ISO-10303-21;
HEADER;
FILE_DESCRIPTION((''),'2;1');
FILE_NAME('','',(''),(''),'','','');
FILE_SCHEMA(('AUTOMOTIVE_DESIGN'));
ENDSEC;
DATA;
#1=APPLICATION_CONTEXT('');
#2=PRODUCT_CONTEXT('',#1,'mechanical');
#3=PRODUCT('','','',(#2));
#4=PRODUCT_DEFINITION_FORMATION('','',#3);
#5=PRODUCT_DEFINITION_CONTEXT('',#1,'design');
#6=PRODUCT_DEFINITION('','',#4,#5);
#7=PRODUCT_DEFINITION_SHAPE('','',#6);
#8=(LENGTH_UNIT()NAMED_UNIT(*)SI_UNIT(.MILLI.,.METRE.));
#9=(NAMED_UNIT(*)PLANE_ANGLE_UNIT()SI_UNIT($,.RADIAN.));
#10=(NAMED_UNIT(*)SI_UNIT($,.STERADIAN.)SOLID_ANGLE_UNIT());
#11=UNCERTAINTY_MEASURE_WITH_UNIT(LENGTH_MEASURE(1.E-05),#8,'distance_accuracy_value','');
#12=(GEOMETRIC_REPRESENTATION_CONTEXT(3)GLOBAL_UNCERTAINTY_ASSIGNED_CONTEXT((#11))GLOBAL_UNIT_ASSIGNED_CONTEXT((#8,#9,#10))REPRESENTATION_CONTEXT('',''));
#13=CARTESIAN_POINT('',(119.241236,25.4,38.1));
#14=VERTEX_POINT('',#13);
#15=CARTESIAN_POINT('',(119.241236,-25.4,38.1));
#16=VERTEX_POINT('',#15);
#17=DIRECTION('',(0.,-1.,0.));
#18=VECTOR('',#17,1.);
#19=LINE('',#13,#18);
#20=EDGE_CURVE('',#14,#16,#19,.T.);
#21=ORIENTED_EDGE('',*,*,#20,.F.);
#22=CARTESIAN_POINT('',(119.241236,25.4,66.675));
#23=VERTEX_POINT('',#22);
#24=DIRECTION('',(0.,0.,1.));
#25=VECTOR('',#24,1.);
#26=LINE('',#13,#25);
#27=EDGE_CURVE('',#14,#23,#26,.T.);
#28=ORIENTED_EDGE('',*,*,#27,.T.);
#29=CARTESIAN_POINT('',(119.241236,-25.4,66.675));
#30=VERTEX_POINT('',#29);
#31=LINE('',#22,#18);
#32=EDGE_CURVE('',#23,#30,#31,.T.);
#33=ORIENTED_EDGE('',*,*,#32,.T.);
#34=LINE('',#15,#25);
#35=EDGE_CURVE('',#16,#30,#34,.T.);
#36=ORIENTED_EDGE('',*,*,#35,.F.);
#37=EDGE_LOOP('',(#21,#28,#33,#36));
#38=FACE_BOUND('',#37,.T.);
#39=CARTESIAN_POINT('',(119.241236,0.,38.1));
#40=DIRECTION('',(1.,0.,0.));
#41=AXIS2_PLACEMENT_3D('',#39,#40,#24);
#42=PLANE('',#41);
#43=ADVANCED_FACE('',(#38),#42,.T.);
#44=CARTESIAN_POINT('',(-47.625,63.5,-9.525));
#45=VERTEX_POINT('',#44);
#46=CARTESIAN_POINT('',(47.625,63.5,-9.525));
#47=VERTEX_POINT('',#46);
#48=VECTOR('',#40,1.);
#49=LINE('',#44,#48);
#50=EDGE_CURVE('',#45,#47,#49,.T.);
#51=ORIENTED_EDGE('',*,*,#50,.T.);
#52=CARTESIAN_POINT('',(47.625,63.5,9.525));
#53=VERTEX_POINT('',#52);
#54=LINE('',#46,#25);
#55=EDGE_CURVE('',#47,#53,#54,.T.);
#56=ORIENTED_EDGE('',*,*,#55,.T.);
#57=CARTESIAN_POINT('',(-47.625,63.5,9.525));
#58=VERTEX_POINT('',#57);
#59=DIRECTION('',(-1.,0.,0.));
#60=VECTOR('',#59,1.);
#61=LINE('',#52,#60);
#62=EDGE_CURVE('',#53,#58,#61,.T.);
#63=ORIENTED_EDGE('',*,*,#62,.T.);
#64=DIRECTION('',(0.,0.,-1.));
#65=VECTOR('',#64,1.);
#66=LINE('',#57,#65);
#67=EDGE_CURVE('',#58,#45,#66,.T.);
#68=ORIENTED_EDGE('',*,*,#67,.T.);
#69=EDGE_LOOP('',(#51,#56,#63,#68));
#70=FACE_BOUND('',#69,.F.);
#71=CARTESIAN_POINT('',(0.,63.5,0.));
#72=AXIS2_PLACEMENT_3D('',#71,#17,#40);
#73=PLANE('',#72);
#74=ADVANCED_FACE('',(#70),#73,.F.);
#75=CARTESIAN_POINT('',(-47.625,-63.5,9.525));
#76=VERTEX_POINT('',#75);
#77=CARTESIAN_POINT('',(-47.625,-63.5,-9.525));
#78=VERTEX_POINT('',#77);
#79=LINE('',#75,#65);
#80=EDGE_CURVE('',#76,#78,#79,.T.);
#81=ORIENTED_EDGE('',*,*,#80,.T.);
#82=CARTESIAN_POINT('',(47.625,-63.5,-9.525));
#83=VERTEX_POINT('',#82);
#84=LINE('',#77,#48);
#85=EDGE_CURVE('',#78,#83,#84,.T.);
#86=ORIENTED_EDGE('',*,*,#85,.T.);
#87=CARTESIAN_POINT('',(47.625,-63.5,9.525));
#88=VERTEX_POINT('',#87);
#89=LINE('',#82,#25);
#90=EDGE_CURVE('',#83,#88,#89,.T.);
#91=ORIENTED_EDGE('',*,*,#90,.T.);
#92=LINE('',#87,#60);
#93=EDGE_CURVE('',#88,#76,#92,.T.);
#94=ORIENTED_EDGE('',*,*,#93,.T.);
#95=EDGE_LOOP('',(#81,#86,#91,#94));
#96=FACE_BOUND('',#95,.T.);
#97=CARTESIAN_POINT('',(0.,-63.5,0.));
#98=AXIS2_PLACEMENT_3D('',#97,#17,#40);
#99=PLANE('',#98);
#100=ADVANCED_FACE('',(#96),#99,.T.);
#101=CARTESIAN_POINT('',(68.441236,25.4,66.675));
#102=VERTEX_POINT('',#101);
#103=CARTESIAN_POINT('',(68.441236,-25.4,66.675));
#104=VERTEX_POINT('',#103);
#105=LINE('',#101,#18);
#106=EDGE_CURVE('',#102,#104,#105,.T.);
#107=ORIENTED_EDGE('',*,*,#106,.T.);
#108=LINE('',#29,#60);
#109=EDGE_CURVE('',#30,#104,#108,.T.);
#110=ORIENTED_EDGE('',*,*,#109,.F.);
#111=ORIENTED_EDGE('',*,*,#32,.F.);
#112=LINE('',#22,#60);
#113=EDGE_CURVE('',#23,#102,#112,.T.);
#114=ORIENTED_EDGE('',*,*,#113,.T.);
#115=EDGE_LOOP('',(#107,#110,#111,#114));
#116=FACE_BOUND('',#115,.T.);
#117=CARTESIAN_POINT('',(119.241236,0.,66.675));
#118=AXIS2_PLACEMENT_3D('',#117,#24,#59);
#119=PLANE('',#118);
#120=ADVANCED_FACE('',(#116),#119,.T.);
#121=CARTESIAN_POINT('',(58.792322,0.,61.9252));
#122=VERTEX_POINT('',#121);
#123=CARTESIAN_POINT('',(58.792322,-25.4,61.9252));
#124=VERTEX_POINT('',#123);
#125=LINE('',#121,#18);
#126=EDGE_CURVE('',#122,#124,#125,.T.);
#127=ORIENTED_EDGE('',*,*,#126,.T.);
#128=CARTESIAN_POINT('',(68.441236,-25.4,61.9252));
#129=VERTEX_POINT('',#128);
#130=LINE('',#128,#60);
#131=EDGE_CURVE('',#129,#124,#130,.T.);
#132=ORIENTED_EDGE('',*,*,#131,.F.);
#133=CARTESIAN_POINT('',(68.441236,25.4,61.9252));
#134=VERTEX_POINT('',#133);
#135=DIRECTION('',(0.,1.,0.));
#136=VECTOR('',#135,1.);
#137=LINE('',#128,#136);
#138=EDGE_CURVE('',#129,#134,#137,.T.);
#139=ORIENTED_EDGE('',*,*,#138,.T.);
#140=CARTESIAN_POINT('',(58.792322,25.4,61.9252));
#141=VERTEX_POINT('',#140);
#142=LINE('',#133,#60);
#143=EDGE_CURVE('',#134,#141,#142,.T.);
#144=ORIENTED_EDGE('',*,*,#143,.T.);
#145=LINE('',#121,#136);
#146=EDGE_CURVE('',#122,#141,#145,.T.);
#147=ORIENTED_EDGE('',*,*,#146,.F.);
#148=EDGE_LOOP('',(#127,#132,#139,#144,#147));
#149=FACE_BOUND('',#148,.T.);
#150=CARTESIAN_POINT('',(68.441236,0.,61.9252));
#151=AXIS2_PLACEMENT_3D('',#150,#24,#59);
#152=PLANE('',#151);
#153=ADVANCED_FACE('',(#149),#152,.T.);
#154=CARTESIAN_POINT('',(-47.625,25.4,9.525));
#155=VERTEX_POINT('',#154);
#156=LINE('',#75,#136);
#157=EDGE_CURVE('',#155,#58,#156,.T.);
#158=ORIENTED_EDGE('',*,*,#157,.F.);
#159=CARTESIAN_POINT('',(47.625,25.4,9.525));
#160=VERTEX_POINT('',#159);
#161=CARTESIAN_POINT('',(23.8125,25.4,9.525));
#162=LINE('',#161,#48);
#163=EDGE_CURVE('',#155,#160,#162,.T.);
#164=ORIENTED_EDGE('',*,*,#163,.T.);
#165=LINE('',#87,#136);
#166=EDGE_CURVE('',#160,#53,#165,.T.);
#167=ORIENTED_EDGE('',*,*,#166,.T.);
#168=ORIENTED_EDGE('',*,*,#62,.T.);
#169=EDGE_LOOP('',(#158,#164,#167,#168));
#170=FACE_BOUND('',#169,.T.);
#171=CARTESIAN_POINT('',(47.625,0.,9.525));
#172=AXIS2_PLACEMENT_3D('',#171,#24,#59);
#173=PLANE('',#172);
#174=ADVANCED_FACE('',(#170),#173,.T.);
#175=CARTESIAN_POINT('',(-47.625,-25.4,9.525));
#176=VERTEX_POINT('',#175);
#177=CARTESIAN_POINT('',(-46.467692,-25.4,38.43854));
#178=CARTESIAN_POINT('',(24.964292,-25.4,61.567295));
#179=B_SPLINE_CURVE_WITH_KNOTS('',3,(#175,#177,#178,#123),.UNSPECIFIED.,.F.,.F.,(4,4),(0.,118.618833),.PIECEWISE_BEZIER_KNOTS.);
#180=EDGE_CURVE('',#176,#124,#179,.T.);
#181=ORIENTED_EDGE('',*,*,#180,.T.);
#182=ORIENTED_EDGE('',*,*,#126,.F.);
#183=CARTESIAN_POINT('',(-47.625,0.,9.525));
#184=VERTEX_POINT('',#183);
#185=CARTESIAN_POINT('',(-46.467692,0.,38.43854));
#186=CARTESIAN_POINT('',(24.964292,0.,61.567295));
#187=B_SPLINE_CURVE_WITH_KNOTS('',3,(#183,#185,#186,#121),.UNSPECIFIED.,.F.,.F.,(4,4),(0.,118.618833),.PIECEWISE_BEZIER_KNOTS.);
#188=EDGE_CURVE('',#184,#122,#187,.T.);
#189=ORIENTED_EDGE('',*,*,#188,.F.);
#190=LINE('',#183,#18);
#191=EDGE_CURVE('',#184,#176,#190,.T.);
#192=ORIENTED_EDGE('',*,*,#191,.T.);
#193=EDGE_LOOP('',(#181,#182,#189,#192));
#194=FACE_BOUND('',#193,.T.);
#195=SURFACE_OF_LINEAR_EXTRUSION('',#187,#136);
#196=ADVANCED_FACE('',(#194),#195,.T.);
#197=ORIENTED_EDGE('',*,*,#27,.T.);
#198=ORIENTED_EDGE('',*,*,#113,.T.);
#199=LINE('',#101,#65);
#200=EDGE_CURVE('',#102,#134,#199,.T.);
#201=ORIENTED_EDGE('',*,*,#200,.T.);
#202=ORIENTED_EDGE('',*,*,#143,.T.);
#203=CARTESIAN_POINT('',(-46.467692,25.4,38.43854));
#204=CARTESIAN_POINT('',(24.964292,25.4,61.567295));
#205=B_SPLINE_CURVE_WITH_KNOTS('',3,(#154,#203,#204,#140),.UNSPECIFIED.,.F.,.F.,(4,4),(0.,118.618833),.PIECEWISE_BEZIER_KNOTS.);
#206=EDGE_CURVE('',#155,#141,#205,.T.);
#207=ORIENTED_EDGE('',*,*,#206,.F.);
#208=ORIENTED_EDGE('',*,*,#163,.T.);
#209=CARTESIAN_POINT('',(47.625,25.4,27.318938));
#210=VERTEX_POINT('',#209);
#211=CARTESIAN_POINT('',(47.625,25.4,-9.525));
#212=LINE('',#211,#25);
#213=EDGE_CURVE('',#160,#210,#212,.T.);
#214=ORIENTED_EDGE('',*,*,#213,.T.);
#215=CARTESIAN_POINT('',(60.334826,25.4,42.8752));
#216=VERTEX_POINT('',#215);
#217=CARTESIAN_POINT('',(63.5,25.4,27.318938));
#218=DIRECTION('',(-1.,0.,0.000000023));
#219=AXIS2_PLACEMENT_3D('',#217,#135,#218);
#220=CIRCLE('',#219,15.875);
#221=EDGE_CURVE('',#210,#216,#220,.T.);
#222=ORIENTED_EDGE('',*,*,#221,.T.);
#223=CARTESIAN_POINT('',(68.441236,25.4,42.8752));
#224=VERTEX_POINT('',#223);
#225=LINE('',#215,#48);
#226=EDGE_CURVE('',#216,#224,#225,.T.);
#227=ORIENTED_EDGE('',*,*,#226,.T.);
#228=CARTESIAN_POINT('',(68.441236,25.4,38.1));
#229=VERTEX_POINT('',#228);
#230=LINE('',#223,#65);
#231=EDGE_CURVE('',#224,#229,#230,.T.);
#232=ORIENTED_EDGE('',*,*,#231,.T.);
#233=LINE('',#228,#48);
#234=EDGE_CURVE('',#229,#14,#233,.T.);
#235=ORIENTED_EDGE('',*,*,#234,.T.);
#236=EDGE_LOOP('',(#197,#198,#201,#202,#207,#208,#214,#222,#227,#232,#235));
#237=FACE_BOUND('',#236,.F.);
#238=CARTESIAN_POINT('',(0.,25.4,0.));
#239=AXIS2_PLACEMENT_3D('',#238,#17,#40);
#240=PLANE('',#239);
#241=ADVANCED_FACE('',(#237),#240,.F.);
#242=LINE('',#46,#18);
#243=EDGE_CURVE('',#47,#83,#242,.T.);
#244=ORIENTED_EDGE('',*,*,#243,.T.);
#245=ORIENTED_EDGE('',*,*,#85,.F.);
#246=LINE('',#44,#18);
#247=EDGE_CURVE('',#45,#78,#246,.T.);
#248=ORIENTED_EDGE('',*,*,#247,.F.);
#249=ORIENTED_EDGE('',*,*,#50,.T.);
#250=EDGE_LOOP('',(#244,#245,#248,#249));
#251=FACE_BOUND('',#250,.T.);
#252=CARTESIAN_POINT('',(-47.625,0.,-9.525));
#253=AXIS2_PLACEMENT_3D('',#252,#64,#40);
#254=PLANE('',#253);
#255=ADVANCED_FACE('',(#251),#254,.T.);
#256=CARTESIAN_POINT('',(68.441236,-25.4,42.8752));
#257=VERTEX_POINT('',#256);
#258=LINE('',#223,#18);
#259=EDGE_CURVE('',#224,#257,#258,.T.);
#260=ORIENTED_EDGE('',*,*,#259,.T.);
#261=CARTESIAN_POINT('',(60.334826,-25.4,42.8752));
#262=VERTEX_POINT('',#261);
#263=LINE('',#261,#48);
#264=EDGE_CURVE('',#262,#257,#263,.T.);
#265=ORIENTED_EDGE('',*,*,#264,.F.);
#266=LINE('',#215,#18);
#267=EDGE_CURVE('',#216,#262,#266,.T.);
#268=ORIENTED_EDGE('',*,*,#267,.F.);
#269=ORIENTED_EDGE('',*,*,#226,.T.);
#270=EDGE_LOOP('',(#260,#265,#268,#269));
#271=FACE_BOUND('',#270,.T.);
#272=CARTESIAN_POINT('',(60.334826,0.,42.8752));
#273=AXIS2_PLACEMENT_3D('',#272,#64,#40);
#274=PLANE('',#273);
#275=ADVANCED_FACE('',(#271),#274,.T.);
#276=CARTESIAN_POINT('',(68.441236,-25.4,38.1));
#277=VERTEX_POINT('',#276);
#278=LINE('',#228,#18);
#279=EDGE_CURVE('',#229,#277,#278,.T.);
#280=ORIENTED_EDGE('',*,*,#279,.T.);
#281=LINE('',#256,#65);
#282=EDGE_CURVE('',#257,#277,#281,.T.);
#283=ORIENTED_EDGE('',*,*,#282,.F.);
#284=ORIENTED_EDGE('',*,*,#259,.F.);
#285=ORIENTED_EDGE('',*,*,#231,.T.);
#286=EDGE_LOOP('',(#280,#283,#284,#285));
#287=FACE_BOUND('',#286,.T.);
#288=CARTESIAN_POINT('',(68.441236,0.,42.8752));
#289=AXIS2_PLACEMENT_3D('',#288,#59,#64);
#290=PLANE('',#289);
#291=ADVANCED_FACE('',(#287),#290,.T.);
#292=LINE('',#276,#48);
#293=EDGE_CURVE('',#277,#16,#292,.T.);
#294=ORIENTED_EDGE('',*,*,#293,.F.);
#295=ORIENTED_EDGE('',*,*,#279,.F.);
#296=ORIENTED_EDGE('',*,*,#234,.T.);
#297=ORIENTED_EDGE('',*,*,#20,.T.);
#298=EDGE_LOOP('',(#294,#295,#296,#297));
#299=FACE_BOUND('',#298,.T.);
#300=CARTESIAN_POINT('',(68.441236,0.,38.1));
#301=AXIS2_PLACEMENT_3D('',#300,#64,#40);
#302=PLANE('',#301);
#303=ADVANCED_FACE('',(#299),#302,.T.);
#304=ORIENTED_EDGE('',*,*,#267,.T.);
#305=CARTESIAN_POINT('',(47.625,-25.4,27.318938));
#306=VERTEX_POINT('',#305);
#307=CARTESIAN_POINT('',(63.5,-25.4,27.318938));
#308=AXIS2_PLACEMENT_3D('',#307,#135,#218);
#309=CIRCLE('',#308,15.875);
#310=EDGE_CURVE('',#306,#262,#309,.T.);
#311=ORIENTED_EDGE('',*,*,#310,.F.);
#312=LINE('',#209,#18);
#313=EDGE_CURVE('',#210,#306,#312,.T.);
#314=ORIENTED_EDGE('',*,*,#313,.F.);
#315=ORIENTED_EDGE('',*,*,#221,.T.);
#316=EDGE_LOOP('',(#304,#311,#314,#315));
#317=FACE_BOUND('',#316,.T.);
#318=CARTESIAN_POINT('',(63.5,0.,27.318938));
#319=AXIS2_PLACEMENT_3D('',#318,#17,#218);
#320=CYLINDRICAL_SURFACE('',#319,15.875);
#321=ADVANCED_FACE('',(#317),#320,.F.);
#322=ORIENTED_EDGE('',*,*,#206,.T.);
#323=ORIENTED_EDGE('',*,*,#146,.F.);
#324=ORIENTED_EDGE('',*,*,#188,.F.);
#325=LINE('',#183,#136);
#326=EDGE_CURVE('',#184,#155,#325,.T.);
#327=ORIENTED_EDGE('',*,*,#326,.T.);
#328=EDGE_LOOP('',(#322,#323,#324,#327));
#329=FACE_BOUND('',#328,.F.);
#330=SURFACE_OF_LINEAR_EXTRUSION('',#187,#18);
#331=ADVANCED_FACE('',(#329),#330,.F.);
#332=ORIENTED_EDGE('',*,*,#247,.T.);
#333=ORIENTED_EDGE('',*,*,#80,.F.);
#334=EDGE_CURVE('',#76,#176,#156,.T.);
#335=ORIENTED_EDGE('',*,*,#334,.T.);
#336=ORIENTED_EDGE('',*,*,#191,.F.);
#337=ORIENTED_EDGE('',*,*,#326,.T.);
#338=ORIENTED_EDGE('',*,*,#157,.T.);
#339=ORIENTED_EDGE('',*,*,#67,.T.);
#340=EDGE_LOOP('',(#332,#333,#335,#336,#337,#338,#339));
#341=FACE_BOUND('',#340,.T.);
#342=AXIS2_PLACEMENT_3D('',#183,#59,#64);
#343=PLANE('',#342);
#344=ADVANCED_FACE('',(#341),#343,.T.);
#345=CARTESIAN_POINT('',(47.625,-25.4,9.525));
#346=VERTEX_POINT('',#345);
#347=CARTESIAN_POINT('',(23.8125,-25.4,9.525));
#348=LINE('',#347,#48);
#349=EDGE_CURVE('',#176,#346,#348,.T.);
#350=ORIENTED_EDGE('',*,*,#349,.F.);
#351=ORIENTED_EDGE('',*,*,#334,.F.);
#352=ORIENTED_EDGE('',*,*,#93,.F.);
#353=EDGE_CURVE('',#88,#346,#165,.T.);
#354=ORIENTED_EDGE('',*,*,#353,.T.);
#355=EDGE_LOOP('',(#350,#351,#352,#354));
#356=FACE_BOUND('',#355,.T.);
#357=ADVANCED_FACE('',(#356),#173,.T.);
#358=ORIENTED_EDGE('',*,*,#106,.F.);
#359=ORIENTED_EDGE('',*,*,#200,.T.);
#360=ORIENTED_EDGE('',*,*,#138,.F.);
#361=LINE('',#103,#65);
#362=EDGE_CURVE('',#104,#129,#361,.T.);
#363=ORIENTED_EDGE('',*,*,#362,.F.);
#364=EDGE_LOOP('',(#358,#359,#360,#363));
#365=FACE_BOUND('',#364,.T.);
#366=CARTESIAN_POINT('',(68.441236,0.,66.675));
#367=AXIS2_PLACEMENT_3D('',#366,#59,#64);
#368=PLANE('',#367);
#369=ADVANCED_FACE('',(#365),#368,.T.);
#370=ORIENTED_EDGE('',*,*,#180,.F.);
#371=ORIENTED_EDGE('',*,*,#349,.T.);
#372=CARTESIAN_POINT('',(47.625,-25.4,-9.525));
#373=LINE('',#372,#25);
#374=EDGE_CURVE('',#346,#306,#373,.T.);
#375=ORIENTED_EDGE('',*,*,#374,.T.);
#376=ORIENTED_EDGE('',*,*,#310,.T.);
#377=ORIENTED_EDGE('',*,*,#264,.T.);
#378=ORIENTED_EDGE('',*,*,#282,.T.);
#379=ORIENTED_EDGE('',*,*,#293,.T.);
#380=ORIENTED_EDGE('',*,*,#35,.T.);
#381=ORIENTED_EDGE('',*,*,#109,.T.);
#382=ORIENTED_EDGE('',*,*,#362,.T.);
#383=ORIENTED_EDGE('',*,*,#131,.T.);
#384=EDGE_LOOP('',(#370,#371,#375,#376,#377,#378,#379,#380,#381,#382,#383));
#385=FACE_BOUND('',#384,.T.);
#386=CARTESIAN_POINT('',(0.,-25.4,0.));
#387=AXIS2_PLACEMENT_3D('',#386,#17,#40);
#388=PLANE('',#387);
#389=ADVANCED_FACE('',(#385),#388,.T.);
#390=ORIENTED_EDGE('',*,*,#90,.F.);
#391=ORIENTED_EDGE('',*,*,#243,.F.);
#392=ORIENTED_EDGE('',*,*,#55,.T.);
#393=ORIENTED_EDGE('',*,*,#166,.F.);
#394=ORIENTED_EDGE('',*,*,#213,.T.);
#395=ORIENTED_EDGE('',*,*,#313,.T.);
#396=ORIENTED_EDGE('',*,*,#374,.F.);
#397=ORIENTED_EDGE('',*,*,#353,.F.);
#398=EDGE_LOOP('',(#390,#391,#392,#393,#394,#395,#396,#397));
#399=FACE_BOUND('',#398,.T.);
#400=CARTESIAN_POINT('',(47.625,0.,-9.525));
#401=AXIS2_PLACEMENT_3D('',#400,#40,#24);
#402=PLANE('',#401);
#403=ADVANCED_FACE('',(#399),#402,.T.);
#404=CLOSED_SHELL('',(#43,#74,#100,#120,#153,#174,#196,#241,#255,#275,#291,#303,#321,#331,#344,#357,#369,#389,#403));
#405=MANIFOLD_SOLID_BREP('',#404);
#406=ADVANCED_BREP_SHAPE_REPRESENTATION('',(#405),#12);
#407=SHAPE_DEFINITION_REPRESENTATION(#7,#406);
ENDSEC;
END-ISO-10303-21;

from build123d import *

# Parameters (mm, degrees)
F1_DEPTH = 63.5
F2_DEPTH = 25.4


with BuildPart() as f1:
    # F0 (on Front) → F1 (new body, symmetric)
    with BuildSketch(Plane.XZ):
        Polygon((-47.625, 9.525), (-47.625, -9.525), (47.625, -9.525), (47.625, 9.525), (28.575, 9.525), align=None)
    extrude(amount=F1_DEPTH, both=True)

    # F0 (on Front) → F2 (join, symmetric)
    with BuildSketch(Plane.XZ):
        Polygon((-47.625, 9.525), (-47.625, -9.525), (47.625, -9.525), (47.625, 9.525), (28.575, 9.525), align=None)
        with BuildLine():
            add(Edge.make_bspline(
                [(-47.625, 9.525), (-46.467692, 38.43854), (24.964292, 61.567295), (58.792322, 61.9252)],
                knots=[0, 0, 0, 0, 118.618833, 118.618833, 118.618833, 118.618833], degree=3))
            Line((-47.625, 9.525), (28.575, 9.525))
            Line((28.575, 9.525), (28.575, 27.318938))
            ThreePointArc((28.575, 27.318938), (37.19248, 50.290006), (58.792322, 61.9252))
        make_face()
        with BuildLine():
            Line((28.575, 9.525), (47.625, 9.525))
            Line((47.625, 9.525), (47.625, 27.318938))
            ThreePointArc((47.625, 27.318938), (51.20645, 37.363053), (60.334826, 42.8752))
            Line((60.334826, 42.8752), (68.441236, 42.8752))
            Line((68.441236, 42.8752), (68.441236, 61.9252))
            Line((68.441236, 61.9252), (58.792322, 61.9252))
            ThreePointArc((58.792322, 61.9252), (37.19248, 50.290006), (28.575, 27.318938))
            Line((28.575, 27.318938), (28.575, 9.525))
        make_face()
        Polygon((68.441236, 66.675), (68.441236, 61.9252), (68.441236, 42.8752), (68.441236, 38.1), (119.241236, 38.1), (119.241236, 66.675), align=None)
    extrude(amount=F2_DEPTH, both=True)


solid = f1.part
